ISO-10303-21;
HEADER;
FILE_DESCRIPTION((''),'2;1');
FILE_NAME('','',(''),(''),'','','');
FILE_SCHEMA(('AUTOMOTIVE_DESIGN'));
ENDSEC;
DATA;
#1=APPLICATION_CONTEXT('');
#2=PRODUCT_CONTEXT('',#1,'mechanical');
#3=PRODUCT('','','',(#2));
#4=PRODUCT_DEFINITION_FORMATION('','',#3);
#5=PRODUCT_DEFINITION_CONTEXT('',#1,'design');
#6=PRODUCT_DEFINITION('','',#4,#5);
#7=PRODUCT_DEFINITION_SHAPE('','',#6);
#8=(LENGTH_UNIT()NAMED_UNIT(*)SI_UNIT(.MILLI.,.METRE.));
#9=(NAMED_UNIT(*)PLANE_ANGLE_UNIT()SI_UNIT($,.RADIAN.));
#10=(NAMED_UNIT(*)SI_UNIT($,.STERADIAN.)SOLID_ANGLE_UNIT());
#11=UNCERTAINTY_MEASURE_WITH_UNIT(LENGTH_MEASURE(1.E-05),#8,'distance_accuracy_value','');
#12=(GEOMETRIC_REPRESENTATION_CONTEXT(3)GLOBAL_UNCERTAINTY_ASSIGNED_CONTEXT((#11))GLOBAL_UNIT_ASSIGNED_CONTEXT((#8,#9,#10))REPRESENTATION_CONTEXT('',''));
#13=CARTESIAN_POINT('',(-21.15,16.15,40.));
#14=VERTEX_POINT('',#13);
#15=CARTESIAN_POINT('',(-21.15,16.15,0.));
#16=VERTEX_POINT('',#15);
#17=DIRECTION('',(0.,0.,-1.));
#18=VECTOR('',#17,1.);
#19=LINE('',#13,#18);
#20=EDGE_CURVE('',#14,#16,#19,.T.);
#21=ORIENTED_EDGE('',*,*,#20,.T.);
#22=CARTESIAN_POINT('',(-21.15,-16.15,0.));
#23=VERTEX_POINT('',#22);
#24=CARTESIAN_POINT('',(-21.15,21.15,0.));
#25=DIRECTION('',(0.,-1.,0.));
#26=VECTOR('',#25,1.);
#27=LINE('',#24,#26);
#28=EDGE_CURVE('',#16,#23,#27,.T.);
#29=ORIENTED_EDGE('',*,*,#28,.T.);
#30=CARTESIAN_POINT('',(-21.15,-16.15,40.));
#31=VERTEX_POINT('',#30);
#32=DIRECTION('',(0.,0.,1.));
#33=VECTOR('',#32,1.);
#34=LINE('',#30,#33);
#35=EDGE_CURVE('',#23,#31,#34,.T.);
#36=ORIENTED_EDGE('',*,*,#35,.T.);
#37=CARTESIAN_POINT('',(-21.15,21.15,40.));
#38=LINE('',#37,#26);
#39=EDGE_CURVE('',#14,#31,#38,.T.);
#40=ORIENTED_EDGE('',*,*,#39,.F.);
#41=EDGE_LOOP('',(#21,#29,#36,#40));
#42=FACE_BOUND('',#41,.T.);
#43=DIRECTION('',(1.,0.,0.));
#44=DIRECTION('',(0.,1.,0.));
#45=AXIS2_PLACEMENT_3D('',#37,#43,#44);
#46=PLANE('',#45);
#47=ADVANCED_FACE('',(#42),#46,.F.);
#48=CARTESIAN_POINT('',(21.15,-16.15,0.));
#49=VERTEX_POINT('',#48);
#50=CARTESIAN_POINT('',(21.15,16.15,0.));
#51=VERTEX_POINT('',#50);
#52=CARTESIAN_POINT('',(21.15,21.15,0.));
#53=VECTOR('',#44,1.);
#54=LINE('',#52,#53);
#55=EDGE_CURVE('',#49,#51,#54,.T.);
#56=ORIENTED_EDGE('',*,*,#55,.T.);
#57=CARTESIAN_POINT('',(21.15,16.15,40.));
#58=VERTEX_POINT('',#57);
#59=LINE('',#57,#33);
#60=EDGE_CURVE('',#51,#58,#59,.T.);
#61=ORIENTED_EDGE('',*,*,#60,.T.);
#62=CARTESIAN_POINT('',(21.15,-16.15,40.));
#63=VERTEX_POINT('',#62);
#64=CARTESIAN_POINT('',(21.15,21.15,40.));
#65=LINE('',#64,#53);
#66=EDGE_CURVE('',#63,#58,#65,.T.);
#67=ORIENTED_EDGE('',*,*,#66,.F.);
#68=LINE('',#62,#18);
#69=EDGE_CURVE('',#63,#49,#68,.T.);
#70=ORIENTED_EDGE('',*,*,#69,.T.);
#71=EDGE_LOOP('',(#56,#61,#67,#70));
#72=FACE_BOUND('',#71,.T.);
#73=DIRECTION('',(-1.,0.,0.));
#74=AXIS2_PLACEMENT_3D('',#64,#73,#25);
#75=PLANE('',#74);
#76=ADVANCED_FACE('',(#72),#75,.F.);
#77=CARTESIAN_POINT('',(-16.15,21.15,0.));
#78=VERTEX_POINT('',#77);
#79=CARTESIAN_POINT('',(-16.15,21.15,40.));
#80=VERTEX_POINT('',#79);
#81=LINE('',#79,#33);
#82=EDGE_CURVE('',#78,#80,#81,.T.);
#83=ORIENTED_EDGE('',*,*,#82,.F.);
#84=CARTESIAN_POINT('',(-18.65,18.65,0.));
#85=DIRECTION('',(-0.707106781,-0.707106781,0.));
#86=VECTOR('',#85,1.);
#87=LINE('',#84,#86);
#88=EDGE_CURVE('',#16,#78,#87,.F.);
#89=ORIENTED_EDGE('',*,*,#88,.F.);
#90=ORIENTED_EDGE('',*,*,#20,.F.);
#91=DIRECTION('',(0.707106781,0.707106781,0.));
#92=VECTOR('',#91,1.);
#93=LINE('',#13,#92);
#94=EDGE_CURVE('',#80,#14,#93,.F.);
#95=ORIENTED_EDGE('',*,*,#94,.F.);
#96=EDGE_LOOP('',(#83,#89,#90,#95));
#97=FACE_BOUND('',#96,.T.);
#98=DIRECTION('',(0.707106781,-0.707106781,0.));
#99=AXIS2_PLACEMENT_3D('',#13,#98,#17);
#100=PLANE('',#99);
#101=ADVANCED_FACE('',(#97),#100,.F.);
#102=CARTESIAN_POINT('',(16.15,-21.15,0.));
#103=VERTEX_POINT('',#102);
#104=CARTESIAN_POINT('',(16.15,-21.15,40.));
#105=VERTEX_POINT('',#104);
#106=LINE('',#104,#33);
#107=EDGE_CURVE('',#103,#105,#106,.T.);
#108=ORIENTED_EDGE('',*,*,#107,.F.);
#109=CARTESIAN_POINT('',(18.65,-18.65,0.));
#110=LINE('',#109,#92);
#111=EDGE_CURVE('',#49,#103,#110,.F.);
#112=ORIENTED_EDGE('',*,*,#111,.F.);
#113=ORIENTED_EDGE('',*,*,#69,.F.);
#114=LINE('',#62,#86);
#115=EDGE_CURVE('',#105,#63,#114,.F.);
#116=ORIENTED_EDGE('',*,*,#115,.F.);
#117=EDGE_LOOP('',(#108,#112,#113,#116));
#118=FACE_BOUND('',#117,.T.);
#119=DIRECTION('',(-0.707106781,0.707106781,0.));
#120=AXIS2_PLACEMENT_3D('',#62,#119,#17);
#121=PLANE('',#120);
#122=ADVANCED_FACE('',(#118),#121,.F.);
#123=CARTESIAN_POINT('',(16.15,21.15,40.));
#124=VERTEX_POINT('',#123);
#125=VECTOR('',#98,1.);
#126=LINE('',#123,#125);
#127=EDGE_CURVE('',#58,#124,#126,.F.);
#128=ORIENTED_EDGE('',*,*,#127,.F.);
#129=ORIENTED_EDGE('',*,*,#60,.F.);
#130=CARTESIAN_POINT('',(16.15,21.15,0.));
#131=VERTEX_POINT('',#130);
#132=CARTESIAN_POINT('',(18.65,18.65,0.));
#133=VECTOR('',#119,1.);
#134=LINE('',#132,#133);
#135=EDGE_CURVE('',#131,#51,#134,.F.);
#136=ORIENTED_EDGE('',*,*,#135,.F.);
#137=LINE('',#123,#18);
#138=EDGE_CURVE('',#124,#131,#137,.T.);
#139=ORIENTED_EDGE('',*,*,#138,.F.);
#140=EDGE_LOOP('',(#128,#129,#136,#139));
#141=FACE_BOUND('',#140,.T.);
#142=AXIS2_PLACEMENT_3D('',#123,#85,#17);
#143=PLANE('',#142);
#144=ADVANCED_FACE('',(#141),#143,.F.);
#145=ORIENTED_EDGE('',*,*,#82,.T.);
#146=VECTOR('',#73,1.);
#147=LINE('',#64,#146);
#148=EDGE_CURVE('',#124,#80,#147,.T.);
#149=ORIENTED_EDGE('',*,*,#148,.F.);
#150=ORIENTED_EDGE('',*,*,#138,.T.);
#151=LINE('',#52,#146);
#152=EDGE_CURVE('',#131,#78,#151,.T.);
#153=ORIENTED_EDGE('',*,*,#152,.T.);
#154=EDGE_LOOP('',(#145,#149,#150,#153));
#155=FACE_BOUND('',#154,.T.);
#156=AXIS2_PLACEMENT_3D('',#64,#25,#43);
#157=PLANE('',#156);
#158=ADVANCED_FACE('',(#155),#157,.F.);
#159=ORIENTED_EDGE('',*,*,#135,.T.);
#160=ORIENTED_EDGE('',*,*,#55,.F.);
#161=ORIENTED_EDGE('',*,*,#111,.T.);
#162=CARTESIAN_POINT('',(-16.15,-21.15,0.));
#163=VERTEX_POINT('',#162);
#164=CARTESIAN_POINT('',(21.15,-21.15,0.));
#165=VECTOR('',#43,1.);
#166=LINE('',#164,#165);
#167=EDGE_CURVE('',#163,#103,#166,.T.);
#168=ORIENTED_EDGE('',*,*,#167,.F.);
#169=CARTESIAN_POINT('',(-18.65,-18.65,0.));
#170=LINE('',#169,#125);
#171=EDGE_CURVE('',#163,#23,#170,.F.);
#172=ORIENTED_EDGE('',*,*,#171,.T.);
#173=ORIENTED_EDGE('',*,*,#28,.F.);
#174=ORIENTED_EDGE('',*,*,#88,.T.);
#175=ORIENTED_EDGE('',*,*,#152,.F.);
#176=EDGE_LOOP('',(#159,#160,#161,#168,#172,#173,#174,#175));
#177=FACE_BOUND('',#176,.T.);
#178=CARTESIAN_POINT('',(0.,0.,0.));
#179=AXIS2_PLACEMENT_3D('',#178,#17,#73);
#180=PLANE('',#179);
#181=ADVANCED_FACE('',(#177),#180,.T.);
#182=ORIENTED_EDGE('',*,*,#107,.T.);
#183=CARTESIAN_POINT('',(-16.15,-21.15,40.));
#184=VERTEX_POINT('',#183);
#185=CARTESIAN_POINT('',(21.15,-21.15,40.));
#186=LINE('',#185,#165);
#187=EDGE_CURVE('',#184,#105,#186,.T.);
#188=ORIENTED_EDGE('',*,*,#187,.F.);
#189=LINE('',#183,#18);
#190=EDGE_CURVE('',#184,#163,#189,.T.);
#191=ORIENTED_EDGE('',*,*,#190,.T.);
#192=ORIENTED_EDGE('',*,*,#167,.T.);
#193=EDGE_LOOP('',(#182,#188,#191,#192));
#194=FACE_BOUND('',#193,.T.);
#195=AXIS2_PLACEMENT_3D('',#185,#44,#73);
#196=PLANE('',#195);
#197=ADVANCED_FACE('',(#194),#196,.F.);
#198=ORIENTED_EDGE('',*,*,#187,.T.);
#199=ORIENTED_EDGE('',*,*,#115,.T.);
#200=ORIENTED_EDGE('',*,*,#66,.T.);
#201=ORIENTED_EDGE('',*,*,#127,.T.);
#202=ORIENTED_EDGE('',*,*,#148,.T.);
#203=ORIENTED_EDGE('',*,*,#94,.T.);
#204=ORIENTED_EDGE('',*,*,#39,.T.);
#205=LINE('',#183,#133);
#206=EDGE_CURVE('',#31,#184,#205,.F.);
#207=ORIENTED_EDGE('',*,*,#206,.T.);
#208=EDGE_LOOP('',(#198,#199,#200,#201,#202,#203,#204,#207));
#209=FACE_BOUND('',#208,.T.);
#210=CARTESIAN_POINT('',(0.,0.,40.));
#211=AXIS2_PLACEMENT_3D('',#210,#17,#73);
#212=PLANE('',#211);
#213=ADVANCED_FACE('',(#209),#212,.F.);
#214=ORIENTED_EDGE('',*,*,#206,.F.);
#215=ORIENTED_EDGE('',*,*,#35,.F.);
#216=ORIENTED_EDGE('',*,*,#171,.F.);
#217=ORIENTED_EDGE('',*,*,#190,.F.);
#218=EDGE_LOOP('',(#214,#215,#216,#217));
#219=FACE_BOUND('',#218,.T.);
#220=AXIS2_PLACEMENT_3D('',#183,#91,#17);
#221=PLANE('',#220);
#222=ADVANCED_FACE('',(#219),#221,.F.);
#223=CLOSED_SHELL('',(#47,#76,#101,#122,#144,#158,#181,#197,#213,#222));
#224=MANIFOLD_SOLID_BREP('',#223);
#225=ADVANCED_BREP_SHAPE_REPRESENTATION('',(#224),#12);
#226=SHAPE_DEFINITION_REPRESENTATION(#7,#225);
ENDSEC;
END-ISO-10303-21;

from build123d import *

# Parameters (mm, degrees)
SKETCH1_W           = 42.3
SKETCH1_H           = 42.3
BOSS_EXTRUDE1_DEPTH = 40
CHAMFER1_SIZE       = 5


with BuildPart() as part:
    # Sketch1 → Boss-Extrude1 (new body)
    with BuildSketch(Plane.XY):
        Rectangle(SKETCH1_W, SKETCH1_H)
    extrude(amount=BOSS_EXTRUDE1_DEPTH)

    # Chamfer1
    chamfer1_edges = [part.edges().sort_by_distance(p)[0] for p in [
        (-21.15, 21.15, 20),
        (21.15, 21.15, 20),
        (21.15, -21.15, 20),
        (-21.15, -21.15, 20),
    ]]
    chamfer(chamfer1_edges, length=CHAMFER1_SIZE)


solid = part.part
